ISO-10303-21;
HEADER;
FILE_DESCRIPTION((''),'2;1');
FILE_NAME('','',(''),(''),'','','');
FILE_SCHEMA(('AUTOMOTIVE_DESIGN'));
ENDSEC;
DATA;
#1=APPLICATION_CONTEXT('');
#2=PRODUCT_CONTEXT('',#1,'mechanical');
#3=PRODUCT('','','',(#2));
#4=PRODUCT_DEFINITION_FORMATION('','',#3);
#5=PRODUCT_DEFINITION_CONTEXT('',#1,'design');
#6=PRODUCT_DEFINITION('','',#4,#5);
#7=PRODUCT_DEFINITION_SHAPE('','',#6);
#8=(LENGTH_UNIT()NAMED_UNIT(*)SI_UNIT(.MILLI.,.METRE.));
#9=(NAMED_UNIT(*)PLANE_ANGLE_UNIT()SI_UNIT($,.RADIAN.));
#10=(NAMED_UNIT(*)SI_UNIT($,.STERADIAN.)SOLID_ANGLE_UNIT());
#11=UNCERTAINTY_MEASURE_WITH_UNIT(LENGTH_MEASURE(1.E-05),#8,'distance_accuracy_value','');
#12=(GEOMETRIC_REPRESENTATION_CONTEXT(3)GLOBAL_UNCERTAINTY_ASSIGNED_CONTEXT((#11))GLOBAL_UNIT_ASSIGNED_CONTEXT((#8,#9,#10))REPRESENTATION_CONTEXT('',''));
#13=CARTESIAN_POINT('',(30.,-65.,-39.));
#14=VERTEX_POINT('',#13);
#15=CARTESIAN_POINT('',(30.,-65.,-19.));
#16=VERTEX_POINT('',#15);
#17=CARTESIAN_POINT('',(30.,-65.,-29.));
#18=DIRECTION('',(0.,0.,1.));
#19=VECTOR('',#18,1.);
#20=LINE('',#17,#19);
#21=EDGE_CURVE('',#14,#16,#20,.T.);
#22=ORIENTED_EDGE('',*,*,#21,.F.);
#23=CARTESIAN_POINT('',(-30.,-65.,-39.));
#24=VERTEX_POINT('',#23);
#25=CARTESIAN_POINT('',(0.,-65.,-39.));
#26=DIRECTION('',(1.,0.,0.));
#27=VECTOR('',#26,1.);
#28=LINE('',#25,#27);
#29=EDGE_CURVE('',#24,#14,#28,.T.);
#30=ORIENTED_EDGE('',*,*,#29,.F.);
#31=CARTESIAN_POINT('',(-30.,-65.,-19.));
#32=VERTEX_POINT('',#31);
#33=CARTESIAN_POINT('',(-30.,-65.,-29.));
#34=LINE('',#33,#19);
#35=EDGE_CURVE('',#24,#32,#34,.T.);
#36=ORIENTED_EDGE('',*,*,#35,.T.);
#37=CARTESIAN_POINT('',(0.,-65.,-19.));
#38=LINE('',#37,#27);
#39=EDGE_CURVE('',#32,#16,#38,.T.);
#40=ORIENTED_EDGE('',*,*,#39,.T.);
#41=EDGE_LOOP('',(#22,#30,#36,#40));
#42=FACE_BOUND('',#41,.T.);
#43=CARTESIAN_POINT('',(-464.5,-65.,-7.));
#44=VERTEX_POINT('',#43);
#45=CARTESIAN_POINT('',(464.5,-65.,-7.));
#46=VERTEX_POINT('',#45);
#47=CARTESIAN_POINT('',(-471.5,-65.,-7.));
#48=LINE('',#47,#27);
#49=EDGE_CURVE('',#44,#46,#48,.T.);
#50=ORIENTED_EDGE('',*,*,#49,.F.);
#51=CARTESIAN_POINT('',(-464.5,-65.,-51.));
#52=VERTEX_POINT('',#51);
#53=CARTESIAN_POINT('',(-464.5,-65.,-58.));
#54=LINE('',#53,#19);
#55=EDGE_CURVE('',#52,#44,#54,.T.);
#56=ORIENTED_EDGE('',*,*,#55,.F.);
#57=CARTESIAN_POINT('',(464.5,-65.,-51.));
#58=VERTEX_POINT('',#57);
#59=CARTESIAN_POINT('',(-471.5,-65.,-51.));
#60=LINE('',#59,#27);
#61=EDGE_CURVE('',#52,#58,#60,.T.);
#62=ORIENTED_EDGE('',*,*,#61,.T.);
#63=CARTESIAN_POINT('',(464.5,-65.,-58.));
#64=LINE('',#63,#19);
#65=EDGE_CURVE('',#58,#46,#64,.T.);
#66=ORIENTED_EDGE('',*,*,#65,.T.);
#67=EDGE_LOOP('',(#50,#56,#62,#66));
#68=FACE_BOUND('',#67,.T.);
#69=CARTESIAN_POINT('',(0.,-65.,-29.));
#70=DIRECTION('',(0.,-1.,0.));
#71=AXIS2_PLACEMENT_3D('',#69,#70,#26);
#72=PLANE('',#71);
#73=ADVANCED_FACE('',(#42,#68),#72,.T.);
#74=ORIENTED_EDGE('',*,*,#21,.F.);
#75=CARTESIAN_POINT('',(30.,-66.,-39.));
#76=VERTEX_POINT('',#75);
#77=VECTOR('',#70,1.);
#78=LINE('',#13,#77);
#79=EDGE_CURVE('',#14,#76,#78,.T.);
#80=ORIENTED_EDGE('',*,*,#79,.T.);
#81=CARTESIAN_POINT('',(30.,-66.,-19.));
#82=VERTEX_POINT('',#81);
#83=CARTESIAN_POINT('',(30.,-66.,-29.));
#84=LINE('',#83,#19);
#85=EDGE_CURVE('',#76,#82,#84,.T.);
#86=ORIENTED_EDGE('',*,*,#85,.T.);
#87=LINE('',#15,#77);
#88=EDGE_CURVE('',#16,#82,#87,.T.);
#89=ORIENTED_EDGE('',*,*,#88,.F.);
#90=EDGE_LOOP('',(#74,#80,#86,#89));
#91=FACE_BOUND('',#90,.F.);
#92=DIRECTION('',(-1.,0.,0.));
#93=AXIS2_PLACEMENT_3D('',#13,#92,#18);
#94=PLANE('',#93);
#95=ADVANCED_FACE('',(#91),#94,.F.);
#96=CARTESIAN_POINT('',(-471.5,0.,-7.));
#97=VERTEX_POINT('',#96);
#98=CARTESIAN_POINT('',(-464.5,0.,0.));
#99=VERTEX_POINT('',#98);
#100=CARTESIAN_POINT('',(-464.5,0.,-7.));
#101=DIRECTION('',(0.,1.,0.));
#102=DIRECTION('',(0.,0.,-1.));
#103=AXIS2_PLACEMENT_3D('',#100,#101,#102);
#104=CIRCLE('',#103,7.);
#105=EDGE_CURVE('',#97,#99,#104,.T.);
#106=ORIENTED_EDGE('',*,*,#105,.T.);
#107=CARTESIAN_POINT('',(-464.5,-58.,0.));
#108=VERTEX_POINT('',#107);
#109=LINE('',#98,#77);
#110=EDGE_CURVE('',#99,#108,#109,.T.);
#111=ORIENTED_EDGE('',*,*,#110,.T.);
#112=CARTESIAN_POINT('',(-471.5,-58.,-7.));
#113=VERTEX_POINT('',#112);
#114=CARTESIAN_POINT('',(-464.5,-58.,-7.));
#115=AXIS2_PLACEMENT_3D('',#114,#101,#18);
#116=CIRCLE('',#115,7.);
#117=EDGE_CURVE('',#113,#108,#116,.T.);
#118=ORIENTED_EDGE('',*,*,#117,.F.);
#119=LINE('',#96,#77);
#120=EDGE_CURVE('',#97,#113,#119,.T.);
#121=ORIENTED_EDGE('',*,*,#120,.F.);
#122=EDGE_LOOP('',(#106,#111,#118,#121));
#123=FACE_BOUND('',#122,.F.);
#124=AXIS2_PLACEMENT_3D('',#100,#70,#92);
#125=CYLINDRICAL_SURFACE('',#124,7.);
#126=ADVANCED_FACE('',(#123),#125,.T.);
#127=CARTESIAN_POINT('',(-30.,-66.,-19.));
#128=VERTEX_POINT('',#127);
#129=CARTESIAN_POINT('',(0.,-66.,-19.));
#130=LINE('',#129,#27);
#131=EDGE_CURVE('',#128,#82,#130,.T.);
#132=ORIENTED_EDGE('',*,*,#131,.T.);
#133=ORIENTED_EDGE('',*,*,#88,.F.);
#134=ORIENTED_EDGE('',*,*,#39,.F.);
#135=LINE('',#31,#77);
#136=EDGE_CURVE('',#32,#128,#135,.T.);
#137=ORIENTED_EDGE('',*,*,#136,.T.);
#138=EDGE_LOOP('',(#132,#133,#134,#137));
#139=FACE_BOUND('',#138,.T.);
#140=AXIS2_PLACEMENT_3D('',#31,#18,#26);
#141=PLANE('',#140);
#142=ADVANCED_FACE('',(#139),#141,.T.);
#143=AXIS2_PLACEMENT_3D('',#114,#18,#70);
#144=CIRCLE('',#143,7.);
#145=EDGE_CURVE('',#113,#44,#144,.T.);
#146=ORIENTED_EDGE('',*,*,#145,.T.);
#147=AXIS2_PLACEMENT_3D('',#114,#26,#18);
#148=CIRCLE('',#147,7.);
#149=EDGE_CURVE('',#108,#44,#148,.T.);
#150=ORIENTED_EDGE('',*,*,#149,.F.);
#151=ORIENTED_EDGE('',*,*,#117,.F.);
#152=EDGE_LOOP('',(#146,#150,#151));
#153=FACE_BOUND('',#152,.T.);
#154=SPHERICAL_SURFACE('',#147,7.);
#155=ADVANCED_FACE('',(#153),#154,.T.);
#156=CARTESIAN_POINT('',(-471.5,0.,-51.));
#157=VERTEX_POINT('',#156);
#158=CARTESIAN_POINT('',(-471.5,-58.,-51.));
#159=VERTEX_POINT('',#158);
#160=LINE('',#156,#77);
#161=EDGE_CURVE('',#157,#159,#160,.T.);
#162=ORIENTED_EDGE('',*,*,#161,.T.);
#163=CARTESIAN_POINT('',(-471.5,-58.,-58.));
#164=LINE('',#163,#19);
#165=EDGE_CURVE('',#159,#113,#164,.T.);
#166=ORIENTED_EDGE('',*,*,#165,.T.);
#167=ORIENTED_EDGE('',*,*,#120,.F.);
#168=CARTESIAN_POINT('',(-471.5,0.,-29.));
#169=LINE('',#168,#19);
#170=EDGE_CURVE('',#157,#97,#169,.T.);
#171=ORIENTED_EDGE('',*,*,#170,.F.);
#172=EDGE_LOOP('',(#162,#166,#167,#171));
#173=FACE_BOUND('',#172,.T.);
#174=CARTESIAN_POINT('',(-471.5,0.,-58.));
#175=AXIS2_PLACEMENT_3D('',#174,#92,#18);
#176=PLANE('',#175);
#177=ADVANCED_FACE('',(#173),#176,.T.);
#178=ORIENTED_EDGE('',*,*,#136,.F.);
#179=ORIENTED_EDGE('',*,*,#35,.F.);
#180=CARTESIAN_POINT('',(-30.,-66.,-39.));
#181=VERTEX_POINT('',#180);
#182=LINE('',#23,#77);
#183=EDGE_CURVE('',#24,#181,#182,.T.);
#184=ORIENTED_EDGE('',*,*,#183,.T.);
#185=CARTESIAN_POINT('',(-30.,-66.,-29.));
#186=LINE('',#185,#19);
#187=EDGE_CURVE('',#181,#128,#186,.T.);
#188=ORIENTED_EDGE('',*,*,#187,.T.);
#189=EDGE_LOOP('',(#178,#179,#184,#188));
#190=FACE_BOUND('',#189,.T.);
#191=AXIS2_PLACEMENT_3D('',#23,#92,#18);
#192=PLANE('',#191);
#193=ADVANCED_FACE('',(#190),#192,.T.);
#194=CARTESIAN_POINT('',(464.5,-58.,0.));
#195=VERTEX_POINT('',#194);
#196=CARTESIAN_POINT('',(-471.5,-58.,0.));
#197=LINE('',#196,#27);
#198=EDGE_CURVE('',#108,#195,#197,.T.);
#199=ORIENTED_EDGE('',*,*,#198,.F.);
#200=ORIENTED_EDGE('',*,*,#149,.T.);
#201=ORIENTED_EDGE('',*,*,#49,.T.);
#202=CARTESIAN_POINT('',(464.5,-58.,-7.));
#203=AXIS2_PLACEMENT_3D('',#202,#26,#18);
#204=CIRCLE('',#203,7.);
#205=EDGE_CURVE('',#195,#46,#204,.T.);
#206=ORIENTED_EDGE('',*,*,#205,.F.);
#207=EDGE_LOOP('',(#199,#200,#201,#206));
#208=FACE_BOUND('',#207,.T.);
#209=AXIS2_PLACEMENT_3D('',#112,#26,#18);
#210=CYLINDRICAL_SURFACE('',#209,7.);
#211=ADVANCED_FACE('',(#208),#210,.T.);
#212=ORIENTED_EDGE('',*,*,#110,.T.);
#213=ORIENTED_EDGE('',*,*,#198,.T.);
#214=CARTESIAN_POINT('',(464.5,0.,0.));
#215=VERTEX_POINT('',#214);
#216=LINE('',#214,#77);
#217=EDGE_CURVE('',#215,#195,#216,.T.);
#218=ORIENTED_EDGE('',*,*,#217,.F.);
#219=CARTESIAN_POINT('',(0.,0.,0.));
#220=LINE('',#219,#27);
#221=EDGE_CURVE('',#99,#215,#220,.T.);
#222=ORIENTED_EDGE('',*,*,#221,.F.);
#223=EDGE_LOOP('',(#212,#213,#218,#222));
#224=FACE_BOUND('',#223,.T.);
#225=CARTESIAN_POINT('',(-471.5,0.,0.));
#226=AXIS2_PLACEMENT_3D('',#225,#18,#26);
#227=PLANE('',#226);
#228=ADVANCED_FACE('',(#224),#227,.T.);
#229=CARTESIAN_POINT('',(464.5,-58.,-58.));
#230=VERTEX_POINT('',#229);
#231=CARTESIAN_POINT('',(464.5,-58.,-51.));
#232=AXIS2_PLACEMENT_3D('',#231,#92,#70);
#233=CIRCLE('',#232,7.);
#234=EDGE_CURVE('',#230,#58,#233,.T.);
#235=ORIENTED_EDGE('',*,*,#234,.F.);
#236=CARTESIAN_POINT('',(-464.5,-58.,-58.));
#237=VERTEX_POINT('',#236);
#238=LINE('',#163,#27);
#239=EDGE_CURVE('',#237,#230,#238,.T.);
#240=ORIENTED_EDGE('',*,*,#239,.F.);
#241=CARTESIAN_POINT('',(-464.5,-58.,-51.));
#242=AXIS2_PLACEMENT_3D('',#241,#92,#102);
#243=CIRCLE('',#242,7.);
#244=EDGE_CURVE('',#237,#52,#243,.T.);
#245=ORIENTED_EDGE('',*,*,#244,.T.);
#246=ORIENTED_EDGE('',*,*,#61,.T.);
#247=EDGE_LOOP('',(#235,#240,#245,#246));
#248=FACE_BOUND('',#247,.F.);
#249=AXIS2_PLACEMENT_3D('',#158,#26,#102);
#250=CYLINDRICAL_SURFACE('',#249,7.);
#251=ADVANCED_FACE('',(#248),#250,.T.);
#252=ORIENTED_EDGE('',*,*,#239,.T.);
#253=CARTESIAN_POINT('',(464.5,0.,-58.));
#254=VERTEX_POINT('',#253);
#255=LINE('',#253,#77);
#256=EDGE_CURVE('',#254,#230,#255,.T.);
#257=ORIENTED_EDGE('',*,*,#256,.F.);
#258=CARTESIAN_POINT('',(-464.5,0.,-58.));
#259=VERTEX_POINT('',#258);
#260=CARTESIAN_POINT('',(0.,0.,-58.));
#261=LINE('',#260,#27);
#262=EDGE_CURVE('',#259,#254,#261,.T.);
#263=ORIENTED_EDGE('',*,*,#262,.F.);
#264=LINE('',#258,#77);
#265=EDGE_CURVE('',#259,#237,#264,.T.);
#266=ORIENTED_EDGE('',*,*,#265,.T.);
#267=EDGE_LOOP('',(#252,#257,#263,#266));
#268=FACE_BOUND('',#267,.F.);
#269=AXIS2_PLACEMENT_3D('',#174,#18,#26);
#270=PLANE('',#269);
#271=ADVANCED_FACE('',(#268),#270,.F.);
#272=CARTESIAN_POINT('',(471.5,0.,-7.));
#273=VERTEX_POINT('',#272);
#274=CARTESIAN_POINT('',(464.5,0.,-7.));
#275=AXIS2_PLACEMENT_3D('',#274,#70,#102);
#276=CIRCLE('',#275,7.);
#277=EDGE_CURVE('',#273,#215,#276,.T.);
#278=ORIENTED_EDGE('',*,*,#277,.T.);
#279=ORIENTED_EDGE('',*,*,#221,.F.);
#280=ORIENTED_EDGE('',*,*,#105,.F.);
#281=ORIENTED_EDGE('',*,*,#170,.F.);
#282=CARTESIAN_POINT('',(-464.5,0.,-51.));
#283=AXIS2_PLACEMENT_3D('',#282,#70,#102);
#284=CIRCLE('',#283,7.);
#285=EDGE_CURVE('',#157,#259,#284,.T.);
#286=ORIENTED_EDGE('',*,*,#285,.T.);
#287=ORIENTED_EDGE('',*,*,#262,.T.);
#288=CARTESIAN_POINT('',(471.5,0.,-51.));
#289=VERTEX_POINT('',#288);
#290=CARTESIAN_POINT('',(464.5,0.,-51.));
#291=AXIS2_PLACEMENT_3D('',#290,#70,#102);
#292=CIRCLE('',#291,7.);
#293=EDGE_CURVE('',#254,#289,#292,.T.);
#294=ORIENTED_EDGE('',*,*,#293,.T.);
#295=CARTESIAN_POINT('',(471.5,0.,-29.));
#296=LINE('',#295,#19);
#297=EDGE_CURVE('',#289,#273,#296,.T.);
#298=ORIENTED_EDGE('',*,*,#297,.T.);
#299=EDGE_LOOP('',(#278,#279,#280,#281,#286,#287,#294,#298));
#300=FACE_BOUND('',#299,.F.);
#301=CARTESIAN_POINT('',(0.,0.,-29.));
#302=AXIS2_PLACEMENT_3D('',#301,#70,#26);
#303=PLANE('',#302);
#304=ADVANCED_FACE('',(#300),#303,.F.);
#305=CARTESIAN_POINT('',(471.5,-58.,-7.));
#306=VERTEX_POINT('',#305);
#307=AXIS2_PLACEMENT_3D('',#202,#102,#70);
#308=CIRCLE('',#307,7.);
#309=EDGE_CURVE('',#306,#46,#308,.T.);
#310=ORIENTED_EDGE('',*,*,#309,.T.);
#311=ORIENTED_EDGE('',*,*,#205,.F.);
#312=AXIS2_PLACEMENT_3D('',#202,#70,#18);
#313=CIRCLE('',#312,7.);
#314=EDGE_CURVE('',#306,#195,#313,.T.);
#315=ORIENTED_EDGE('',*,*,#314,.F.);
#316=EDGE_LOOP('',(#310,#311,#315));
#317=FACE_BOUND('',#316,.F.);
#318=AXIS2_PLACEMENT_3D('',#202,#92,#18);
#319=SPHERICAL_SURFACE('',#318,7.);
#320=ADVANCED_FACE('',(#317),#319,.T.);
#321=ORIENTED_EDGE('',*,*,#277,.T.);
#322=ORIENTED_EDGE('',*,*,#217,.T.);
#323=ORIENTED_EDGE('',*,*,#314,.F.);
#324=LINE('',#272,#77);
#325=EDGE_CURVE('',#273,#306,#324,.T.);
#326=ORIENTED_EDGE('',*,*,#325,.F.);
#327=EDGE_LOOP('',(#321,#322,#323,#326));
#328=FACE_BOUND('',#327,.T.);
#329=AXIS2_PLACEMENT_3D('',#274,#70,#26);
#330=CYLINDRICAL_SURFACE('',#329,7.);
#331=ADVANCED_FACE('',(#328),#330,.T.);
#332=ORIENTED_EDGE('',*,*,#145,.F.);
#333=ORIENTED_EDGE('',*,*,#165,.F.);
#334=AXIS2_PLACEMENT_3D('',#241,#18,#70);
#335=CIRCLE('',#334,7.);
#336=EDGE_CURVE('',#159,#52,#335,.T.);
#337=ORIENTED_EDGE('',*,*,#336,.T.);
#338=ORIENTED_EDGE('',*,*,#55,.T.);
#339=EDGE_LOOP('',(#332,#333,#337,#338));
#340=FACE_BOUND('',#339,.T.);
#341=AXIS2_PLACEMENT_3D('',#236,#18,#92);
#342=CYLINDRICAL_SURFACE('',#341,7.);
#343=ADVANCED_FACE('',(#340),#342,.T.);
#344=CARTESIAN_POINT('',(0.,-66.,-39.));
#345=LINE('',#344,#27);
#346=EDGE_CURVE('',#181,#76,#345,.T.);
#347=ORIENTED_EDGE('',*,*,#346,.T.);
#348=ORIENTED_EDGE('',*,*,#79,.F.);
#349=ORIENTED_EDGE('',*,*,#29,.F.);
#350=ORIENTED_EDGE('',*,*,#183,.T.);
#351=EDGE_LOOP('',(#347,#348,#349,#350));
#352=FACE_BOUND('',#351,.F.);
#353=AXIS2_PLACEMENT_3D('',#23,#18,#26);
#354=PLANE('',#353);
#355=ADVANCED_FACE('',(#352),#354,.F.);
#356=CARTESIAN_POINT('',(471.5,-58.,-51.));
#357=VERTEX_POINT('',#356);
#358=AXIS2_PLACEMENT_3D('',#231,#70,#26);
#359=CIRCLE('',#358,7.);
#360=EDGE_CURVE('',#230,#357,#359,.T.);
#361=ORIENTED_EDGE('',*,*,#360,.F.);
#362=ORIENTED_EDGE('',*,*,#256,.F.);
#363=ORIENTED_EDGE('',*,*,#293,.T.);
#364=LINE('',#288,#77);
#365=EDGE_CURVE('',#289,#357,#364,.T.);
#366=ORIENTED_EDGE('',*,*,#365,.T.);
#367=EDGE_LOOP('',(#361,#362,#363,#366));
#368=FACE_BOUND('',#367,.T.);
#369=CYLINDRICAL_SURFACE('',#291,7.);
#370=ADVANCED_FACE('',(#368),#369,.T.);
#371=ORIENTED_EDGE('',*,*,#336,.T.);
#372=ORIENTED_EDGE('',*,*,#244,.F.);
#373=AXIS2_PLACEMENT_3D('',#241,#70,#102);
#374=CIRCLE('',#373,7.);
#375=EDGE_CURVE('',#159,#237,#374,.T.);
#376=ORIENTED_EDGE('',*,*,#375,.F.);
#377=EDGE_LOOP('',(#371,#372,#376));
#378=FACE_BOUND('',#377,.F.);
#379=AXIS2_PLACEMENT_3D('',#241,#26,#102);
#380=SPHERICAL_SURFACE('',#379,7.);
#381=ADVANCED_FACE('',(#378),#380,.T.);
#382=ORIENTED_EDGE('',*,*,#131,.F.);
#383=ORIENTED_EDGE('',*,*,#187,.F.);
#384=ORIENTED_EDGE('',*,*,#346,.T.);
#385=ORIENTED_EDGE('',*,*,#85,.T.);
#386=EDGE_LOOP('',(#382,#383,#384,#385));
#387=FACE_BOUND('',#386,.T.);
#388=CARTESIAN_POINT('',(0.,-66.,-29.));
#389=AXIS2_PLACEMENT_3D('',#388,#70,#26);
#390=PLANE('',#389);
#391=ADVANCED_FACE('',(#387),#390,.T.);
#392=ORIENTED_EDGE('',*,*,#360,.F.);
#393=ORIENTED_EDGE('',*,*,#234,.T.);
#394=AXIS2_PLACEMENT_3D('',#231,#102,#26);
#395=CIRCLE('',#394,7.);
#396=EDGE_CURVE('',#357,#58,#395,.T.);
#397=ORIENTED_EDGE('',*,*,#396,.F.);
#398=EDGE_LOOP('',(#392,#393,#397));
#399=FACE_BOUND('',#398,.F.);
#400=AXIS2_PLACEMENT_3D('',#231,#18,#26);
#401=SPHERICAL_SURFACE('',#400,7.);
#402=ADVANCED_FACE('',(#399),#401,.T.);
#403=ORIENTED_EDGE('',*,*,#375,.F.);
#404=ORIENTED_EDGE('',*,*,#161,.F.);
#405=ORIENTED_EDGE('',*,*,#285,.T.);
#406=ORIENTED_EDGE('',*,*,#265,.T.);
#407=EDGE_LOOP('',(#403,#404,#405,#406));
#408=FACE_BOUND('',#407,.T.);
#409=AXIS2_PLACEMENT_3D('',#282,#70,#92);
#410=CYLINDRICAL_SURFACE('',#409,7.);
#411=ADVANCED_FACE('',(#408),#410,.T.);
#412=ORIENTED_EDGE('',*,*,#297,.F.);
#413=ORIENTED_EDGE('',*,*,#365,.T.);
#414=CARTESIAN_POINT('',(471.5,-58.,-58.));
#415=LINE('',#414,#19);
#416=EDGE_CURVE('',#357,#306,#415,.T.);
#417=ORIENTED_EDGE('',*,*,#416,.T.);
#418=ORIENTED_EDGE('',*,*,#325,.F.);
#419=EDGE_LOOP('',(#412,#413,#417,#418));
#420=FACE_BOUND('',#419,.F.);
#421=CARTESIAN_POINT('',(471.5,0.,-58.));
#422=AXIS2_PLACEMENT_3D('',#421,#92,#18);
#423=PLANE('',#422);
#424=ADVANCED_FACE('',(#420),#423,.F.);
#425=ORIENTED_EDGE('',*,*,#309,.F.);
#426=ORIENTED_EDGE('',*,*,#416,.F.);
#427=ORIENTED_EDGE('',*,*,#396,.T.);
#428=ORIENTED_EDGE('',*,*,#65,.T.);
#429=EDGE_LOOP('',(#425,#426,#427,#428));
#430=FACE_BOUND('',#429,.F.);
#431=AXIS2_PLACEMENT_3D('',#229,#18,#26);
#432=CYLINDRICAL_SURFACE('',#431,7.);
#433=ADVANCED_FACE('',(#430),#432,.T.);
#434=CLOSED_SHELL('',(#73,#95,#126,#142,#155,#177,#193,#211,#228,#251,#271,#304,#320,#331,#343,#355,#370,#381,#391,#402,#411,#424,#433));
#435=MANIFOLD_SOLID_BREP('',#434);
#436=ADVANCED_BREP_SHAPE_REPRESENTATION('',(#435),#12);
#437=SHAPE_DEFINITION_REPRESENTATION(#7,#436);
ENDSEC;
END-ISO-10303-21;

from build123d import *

# Parameters (mm, degrees)
F0_W     = 943
F0_H     = 58
F1_DEPTH = 65
F2_R     = 7
F3_W     = 60
F3_H     = 20
F4_DEPTH = 1


with BuildPart() as f1:
    # F0 (on Front) → F1 (new body)
    with BuildSketch(Plane.XZ):
        with Locations((0, -29)):
            Rectangle(F0_W, F0_H)
    extrude(amount=F1_DEPTH)

    # F2
    f2_edges = [f1.edges().sort_by_distance(p)[0] for p in [
        (0, -65, 0),
        (471.5, -32.5, 0),
        (471.5, -65, -29),
        (471.5, -32.5, -58),
        (0, -65, -58),
        (-471.5, -32.5, 0),
        (-471.5, -32.5, -58),
        (-471.5, -65, -29),
    ]]
    fillet(f2_edges, radius=F2_R)

    # F3 (on face) → F4 (join)
    with BuildSketch(Plane.XZ.offset(65)):
        with Locations((0, -29)):
            Rectangle(F3_W, F3_H)
    extrude(amount=F4_DEPTH)


solid = f1.part
